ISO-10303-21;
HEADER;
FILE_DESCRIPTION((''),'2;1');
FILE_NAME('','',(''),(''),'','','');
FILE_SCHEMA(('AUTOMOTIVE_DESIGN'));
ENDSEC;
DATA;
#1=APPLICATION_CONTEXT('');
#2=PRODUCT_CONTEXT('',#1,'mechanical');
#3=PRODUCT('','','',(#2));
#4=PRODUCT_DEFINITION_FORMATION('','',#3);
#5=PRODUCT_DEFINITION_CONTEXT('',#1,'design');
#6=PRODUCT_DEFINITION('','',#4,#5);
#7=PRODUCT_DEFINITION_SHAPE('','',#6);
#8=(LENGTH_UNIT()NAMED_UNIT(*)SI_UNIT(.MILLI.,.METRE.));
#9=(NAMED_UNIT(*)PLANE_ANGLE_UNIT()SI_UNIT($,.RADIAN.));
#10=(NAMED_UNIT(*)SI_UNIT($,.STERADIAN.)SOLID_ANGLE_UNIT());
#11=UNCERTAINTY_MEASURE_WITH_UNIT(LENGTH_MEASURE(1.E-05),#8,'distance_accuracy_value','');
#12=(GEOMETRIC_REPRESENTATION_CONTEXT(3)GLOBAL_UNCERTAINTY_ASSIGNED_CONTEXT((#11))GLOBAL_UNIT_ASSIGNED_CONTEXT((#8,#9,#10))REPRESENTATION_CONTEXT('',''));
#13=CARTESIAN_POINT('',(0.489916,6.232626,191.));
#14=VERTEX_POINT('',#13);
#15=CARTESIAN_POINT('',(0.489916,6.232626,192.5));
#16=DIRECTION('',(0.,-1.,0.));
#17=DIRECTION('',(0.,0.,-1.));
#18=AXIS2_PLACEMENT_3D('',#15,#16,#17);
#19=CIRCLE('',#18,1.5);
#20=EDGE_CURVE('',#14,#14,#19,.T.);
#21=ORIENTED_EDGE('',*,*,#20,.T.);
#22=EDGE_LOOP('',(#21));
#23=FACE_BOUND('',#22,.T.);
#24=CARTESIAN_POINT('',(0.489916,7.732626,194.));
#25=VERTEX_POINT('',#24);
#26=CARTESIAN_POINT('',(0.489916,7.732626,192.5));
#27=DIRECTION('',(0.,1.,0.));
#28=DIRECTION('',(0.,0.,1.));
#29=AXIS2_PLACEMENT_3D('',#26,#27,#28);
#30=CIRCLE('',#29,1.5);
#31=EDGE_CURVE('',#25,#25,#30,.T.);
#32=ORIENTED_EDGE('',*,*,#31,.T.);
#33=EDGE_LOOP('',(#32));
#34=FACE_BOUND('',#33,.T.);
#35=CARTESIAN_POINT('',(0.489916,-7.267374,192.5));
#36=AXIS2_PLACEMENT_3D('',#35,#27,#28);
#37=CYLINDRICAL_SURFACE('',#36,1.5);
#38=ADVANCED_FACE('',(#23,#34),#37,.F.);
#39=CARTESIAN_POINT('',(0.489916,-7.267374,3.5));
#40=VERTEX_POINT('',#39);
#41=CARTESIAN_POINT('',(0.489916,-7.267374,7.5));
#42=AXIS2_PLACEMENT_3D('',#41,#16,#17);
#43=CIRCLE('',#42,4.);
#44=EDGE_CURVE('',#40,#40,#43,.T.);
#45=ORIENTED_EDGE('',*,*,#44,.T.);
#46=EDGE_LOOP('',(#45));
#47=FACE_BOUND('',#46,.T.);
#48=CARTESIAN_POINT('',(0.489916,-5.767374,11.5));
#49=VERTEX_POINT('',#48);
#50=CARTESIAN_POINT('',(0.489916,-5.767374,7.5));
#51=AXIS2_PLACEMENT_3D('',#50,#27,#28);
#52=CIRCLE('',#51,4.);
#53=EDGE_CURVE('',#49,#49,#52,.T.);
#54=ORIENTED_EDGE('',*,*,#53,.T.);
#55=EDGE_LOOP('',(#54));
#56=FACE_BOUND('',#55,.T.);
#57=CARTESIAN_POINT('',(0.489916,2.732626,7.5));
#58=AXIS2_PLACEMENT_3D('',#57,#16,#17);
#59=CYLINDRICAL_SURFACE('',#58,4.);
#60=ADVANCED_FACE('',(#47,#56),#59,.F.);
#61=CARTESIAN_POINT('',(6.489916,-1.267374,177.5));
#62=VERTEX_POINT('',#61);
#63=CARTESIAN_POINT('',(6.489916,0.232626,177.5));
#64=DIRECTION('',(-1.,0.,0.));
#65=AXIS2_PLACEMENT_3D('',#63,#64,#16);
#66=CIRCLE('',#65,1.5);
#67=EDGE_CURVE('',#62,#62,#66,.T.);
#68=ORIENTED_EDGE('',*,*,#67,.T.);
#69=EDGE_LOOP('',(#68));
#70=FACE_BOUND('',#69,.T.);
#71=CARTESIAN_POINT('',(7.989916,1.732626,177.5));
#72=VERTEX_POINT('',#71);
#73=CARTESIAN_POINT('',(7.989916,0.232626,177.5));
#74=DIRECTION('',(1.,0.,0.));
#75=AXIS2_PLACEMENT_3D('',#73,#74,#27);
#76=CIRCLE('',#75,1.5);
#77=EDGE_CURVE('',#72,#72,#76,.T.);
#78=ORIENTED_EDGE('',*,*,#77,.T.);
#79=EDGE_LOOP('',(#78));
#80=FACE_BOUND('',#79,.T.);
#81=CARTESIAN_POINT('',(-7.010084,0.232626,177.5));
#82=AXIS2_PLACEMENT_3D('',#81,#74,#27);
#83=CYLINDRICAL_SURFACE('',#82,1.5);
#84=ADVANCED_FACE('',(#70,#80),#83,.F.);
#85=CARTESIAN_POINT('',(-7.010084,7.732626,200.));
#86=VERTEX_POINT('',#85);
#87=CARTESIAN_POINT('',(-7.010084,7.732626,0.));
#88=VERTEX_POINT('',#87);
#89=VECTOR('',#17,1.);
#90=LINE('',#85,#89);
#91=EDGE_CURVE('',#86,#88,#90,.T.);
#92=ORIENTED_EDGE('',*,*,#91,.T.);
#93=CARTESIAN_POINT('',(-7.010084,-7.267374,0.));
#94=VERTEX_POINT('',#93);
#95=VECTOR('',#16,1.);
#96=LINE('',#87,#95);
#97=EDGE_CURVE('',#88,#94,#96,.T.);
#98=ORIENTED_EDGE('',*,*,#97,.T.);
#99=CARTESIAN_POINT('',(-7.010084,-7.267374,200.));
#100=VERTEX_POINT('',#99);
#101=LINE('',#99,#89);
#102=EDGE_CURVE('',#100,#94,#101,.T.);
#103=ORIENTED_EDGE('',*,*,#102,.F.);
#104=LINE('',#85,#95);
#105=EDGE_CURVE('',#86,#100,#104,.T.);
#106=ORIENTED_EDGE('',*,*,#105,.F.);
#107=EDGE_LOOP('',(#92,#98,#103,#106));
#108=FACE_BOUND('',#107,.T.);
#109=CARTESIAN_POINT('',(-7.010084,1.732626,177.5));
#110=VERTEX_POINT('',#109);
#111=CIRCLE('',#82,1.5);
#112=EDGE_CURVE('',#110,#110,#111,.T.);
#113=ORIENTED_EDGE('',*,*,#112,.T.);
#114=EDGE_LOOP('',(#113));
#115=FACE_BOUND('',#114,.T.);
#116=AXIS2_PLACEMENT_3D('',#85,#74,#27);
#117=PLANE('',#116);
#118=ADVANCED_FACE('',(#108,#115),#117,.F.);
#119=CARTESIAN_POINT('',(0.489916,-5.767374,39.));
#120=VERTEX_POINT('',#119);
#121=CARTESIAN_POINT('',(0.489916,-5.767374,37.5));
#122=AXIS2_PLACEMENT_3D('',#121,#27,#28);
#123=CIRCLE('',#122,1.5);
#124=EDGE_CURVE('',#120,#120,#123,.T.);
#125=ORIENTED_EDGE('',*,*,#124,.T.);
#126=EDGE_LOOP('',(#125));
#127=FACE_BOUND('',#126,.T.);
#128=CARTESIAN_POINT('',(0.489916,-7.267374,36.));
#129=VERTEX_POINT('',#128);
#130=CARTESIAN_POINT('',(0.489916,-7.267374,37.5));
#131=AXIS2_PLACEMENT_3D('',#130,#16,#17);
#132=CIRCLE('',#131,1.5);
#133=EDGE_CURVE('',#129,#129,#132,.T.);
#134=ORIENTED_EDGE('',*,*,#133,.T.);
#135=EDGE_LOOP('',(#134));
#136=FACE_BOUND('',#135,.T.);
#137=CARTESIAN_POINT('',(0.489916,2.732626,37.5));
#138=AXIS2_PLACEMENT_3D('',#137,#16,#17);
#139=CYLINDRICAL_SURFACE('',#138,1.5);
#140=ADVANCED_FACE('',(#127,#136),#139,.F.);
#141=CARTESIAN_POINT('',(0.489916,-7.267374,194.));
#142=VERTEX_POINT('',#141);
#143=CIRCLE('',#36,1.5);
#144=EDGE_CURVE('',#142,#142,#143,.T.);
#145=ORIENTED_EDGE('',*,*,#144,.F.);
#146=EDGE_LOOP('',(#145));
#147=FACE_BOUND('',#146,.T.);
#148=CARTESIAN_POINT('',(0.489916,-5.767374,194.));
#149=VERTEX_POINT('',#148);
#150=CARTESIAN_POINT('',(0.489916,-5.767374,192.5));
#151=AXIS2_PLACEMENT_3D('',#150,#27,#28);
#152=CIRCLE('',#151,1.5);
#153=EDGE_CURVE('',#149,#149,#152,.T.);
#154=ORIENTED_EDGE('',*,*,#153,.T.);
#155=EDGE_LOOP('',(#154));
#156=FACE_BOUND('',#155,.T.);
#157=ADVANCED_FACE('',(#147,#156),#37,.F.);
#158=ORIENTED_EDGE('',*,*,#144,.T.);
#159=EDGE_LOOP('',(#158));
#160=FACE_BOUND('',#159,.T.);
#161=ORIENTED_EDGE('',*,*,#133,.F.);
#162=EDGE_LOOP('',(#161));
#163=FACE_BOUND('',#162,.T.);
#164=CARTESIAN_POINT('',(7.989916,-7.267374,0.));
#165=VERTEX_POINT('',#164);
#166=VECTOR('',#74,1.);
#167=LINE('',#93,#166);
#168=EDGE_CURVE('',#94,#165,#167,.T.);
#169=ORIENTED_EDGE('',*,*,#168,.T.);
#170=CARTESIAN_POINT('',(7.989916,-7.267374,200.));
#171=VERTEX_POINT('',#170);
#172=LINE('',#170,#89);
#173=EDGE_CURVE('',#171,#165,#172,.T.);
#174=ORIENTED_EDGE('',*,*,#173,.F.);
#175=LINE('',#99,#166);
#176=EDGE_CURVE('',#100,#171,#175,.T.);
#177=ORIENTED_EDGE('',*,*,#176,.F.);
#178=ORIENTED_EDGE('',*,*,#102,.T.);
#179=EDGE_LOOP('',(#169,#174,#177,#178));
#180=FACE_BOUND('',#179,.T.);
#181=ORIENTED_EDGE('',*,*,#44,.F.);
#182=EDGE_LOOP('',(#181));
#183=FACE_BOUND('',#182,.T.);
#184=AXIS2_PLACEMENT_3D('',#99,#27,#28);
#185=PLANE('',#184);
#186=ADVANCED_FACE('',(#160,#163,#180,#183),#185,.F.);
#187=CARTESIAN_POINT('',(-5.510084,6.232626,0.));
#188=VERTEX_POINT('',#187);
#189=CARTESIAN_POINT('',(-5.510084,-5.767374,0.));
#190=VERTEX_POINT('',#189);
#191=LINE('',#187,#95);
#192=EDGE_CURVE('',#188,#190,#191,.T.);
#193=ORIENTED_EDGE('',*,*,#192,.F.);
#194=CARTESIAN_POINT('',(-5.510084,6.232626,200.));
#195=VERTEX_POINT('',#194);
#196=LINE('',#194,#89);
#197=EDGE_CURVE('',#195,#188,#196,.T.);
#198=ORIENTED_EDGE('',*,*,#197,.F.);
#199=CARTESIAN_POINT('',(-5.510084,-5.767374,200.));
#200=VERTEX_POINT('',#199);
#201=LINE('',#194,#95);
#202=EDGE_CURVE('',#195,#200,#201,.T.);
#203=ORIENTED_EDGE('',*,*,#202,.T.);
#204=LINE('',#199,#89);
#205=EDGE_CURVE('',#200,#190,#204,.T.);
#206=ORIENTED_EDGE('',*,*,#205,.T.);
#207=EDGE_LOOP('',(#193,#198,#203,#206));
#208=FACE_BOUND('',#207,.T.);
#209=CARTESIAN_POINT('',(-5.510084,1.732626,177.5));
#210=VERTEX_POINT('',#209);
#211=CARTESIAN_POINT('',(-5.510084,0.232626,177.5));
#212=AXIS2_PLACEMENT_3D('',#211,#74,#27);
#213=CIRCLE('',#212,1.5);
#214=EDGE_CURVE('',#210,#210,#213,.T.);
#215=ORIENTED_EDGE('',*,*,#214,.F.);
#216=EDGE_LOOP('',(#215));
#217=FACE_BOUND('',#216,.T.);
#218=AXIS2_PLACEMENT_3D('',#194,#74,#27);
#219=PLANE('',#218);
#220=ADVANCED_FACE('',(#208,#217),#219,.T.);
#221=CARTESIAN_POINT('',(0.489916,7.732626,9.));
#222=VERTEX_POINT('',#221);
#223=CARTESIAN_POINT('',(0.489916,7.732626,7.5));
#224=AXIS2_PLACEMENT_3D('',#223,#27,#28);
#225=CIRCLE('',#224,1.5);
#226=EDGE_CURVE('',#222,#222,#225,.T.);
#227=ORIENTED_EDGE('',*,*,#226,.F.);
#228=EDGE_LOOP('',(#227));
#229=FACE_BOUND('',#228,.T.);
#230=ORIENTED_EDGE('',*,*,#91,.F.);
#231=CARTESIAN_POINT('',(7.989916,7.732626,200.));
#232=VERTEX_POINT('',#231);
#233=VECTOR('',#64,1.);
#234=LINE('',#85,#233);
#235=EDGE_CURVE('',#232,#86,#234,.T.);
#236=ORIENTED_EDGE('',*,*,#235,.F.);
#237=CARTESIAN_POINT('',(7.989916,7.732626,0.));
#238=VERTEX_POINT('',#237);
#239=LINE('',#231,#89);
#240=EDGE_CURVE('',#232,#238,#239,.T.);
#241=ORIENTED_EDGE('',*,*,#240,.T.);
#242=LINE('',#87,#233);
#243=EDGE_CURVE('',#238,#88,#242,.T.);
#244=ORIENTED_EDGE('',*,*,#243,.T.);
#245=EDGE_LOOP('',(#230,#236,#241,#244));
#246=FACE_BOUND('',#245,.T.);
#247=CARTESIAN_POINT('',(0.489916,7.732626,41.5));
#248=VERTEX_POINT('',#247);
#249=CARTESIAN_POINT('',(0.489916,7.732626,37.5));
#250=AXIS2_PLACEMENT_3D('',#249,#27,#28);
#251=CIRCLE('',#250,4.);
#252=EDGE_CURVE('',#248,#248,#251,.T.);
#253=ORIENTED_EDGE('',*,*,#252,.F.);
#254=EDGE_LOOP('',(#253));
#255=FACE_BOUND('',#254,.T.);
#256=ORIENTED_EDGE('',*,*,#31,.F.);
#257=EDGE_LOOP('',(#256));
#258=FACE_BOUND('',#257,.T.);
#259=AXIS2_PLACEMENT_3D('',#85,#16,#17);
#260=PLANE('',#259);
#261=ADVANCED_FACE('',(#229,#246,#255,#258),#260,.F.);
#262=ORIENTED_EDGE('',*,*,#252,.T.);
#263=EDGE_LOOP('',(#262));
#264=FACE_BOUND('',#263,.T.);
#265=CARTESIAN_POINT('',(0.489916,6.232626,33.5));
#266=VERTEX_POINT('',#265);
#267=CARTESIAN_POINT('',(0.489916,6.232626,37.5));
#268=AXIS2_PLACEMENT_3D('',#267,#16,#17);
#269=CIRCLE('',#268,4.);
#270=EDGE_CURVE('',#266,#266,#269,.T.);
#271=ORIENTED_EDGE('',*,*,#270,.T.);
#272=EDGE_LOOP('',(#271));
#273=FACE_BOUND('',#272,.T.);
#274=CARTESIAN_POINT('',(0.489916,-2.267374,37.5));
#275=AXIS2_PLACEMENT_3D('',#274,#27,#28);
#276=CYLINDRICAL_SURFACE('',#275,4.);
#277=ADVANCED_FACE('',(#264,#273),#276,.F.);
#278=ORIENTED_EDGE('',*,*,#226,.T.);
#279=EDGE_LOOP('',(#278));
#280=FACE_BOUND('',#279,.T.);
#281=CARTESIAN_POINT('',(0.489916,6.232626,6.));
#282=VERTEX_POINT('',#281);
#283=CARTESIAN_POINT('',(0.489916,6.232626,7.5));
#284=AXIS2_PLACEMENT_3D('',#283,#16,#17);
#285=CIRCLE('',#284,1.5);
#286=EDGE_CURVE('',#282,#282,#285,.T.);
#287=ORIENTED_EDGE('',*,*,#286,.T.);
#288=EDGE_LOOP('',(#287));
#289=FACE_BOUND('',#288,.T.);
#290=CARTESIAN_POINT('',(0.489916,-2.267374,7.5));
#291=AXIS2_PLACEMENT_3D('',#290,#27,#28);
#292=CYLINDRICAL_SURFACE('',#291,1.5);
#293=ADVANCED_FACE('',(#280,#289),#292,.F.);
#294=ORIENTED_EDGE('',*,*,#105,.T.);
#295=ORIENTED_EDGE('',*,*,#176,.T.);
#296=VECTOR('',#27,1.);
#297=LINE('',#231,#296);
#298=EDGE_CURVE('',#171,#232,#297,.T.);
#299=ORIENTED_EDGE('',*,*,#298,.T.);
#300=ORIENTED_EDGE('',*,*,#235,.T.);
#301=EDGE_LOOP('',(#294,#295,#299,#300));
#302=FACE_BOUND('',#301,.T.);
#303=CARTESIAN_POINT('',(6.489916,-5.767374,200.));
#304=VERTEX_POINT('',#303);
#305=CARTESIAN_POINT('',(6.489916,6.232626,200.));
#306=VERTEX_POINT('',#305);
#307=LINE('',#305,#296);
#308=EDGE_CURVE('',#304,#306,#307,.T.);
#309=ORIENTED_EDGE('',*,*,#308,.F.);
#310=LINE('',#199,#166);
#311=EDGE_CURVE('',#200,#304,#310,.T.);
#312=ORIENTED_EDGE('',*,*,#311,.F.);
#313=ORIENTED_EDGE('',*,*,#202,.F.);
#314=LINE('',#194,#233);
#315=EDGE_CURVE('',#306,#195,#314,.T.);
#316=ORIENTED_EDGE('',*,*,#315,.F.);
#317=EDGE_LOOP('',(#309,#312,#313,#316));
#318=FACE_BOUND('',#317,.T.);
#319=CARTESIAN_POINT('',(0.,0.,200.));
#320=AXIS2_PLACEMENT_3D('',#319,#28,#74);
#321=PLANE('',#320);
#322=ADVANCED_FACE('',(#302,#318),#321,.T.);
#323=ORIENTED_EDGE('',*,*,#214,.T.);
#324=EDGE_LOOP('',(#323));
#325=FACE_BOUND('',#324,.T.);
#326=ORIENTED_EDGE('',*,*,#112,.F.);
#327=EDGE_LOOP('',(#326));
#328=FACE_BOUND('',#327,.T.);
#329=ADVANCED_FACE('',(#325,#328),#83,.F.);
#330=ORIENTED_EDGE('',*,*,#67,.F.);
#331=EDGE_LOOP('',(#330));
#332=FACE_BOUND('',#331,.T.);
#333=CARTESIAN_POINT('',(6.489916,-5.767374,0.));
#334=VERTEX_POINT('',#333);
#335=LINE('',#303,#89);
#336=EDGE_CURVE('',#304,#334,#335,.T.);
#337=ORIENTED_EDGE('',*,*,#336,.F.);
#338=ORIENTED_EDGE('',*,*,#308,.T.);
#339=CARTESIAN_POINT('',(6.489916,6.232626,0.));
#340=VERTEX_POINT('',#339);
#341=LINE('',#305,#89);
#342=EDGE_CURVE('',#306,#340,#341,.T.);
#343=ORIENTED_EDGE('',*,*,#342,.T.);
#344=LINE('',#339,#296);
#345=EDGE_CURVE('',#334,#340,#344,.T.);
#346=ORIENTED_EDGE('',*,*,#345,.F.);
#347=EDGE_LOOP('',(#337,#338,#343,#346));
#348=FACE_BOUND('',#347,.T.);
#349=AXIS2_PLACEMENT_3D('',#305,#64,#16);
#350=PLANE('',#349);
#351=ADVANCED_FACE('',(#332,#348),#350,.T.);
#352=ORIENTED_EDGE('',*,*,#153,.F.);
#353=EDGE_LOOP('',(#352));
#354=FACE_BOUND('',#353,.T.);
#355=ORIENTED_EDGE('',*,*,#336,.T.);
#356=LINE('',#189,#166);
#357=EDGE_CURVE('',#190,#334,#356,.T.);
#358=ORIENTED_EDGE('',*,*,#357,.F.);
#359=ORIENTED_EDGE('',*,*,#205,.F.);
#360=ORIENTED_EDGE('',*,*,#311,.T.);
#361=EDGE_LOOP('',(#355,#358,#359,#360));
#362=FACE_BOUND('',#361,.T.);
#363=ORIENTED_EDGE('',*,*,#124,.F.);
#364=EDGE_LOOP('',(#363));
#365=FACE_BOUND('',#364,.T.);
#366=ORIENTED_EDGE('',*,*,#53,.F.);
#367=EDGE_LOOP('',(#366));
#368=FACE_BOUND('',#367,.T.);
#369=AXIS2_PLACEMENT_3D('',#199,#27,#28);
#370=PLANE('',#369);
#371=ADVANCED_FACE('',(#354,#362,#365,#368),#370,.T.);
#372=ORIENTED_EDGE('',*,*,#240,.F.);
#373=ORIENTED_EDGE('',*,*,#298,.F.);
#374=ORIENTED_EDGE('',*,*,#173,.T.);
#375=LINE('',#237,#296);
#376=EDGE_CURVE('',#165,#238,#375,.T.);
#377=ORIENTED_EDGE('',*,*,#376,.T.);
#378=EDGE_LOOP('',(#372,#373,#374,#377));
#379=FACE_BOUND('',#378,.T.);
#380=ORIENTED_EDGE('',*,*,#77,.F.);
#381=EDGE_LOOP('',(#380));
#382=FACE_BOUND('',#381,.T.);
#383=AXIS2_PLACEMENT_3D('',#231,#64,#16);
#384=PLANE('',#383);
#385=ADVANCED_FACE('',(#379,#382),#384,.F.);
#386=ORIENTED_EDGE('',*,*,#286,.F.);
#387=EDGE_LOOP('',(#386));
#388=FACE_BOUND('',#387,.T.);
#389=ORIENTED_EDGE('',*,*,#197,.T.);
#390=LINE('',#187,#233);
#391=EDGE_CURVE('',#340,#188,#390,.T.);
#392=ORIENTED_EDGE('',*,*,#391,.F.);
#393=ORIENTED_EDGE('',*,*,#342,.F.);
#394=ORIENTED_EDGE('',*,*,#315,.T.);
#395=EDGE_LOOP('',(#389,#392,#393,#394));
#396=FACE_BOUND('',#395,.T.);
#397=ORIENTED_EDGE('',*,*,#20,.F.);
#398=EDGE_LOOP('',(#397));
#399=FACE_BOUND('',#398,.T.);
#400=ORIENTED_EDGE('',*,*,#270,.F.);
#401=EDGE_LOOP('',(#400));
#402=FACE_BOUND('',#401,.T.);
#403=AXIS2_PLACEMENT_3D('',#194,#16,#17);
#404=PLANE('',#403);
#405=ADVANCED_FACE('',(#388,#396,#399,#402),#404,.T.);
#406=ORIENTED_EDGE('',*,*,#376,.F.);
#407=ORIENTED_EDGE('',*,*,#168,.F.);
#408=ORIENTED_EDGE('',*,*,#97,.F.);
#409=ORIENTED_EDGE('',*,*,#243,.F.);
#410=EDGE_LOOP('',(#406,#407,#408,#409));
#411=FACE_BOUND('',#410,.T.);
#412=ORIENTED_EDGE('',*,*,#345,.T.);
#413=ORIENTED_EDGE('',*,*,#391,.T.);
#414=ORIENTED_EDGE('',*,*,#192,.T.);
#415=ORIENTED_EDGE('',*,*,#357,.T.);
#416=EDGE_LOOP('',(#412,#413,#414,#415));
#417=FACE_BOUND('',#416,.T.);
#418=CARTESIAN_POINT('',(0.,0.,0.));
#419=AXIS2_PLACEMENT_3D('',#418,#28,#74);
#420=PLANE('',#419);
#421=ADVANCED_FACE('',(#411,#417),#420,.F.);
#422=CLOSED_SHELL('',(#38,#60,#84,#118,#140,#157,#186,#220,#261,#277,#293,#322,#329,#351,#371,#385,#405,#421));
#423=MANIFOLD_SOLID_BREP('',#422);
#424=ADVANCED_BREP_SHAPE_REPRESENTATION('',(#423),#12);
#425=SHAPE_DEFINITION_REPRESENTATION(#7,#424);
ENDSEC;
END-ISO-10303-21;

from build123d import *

# Parameters (mm, degrees)
SKETCH_1_W          = 15
SKETCH_1_H          = 15
SKETCH_1_W_2        = 12
SKETCH_1_H_2        = 12
EXTRUDE_2_DEPTH     = 200
SKETCH_2_R          = 1.5
CUT_EXTRUDE_1_DEPTH = 15
SKETCH_3_R          = 1.5
CUT_EXTRUDE_2_DEPTH = 15
SKETCH_4_R          = 1.5
SKETCH_4_R_2        = 4
CUT_EXTRUDE_6_DEPTH = 10
SKETCH_6_R          = 1.5
SKETCH_6_R_2        = 4
CUT_EXTRUDE_7_DEPTH = 10


with BuildPart() as part:
    # ｽｹｯﾁ1 → ﾎﾞｽ - 押し出し2 (new body)
    with BuildSketch(Plane.XY):
        with Locations((0.489915859, 0.232626086)):
            Rectangle(SKETCH_1_W, SKETCH_1_H)
        with Locations((0.489915859, 0.232626086)):
            Rectangle(SKETCH_1_W_2, SKETCH_1_H_2, mode=Mode.SUBTRACT)
    extrude(amount=EXTRUDE_2_DEPTH)

    # ｽｹｯﾁ2 → ｶｯﾄ - 押し出し1 (cut)
    with BuildSketch(Plane(origin=(0, 7.732626086, 0), x_dir=(1, 0, 0), z_dir=(0, 1, 0))):
        with Locations((0.489915859, -192.5)):
            Circle(SKETCH_2_R)
    extrude(amount=-CUT_EXTRUDE_1_DEPTH, mode=Mode.SUBTRACT)

    # ｽｹｯﾁ3 → ｶｯﾄ - 押し出し2 (cut)
    with BuildSketch(Plane(origin=(7.989915859, 0, 0), x_dir=(0, 0, -1), z_dir=(1, 0, 0))):
        with Locations((-177.5, 0.232626086)):
            Circle(SKETCH_3_R)
    extrude(amount=-CUT_EXTRUDE_2_DEPTH, mode=Mode.SUBTRACT)

    # ｽｹｯﾁ4 → ｶｯﾄ - 押し出し6 (cut)
    with BuildSketch(Plane(origin=(0, 7.732626086, 0), x_dir=(1, 0, 0), z_dir=(0, 1, 0))):
        with Locations((0.489915859, -7.5)):
            Circle(SKETCH_4_R)
        with Locations((0.489915859, -37.5)):
            Circle(SKETCH_4_R_2)
    extrude(amount=-CUT_EXTRUDE_6_DEPTH, mode=Mode.SUBTRACT)

    # ｽｹｯﾁ6 → ｶｯﾄ - 押し出し7 (cut)
    with BuildSketch(Plane.XZ.offset(7.267373914)):
        with Locations((0.489915859, 37.5)):
            Circle(SKETCH_6_R)
        with Locations((0.489915859, 7.5)):
            Circle(SKETCH_6_R_2)
    extrude(amount=-CUT_EXTRUDE_7_DEPTH, mode=Mode.SUBTRACT)


solid = part.part
